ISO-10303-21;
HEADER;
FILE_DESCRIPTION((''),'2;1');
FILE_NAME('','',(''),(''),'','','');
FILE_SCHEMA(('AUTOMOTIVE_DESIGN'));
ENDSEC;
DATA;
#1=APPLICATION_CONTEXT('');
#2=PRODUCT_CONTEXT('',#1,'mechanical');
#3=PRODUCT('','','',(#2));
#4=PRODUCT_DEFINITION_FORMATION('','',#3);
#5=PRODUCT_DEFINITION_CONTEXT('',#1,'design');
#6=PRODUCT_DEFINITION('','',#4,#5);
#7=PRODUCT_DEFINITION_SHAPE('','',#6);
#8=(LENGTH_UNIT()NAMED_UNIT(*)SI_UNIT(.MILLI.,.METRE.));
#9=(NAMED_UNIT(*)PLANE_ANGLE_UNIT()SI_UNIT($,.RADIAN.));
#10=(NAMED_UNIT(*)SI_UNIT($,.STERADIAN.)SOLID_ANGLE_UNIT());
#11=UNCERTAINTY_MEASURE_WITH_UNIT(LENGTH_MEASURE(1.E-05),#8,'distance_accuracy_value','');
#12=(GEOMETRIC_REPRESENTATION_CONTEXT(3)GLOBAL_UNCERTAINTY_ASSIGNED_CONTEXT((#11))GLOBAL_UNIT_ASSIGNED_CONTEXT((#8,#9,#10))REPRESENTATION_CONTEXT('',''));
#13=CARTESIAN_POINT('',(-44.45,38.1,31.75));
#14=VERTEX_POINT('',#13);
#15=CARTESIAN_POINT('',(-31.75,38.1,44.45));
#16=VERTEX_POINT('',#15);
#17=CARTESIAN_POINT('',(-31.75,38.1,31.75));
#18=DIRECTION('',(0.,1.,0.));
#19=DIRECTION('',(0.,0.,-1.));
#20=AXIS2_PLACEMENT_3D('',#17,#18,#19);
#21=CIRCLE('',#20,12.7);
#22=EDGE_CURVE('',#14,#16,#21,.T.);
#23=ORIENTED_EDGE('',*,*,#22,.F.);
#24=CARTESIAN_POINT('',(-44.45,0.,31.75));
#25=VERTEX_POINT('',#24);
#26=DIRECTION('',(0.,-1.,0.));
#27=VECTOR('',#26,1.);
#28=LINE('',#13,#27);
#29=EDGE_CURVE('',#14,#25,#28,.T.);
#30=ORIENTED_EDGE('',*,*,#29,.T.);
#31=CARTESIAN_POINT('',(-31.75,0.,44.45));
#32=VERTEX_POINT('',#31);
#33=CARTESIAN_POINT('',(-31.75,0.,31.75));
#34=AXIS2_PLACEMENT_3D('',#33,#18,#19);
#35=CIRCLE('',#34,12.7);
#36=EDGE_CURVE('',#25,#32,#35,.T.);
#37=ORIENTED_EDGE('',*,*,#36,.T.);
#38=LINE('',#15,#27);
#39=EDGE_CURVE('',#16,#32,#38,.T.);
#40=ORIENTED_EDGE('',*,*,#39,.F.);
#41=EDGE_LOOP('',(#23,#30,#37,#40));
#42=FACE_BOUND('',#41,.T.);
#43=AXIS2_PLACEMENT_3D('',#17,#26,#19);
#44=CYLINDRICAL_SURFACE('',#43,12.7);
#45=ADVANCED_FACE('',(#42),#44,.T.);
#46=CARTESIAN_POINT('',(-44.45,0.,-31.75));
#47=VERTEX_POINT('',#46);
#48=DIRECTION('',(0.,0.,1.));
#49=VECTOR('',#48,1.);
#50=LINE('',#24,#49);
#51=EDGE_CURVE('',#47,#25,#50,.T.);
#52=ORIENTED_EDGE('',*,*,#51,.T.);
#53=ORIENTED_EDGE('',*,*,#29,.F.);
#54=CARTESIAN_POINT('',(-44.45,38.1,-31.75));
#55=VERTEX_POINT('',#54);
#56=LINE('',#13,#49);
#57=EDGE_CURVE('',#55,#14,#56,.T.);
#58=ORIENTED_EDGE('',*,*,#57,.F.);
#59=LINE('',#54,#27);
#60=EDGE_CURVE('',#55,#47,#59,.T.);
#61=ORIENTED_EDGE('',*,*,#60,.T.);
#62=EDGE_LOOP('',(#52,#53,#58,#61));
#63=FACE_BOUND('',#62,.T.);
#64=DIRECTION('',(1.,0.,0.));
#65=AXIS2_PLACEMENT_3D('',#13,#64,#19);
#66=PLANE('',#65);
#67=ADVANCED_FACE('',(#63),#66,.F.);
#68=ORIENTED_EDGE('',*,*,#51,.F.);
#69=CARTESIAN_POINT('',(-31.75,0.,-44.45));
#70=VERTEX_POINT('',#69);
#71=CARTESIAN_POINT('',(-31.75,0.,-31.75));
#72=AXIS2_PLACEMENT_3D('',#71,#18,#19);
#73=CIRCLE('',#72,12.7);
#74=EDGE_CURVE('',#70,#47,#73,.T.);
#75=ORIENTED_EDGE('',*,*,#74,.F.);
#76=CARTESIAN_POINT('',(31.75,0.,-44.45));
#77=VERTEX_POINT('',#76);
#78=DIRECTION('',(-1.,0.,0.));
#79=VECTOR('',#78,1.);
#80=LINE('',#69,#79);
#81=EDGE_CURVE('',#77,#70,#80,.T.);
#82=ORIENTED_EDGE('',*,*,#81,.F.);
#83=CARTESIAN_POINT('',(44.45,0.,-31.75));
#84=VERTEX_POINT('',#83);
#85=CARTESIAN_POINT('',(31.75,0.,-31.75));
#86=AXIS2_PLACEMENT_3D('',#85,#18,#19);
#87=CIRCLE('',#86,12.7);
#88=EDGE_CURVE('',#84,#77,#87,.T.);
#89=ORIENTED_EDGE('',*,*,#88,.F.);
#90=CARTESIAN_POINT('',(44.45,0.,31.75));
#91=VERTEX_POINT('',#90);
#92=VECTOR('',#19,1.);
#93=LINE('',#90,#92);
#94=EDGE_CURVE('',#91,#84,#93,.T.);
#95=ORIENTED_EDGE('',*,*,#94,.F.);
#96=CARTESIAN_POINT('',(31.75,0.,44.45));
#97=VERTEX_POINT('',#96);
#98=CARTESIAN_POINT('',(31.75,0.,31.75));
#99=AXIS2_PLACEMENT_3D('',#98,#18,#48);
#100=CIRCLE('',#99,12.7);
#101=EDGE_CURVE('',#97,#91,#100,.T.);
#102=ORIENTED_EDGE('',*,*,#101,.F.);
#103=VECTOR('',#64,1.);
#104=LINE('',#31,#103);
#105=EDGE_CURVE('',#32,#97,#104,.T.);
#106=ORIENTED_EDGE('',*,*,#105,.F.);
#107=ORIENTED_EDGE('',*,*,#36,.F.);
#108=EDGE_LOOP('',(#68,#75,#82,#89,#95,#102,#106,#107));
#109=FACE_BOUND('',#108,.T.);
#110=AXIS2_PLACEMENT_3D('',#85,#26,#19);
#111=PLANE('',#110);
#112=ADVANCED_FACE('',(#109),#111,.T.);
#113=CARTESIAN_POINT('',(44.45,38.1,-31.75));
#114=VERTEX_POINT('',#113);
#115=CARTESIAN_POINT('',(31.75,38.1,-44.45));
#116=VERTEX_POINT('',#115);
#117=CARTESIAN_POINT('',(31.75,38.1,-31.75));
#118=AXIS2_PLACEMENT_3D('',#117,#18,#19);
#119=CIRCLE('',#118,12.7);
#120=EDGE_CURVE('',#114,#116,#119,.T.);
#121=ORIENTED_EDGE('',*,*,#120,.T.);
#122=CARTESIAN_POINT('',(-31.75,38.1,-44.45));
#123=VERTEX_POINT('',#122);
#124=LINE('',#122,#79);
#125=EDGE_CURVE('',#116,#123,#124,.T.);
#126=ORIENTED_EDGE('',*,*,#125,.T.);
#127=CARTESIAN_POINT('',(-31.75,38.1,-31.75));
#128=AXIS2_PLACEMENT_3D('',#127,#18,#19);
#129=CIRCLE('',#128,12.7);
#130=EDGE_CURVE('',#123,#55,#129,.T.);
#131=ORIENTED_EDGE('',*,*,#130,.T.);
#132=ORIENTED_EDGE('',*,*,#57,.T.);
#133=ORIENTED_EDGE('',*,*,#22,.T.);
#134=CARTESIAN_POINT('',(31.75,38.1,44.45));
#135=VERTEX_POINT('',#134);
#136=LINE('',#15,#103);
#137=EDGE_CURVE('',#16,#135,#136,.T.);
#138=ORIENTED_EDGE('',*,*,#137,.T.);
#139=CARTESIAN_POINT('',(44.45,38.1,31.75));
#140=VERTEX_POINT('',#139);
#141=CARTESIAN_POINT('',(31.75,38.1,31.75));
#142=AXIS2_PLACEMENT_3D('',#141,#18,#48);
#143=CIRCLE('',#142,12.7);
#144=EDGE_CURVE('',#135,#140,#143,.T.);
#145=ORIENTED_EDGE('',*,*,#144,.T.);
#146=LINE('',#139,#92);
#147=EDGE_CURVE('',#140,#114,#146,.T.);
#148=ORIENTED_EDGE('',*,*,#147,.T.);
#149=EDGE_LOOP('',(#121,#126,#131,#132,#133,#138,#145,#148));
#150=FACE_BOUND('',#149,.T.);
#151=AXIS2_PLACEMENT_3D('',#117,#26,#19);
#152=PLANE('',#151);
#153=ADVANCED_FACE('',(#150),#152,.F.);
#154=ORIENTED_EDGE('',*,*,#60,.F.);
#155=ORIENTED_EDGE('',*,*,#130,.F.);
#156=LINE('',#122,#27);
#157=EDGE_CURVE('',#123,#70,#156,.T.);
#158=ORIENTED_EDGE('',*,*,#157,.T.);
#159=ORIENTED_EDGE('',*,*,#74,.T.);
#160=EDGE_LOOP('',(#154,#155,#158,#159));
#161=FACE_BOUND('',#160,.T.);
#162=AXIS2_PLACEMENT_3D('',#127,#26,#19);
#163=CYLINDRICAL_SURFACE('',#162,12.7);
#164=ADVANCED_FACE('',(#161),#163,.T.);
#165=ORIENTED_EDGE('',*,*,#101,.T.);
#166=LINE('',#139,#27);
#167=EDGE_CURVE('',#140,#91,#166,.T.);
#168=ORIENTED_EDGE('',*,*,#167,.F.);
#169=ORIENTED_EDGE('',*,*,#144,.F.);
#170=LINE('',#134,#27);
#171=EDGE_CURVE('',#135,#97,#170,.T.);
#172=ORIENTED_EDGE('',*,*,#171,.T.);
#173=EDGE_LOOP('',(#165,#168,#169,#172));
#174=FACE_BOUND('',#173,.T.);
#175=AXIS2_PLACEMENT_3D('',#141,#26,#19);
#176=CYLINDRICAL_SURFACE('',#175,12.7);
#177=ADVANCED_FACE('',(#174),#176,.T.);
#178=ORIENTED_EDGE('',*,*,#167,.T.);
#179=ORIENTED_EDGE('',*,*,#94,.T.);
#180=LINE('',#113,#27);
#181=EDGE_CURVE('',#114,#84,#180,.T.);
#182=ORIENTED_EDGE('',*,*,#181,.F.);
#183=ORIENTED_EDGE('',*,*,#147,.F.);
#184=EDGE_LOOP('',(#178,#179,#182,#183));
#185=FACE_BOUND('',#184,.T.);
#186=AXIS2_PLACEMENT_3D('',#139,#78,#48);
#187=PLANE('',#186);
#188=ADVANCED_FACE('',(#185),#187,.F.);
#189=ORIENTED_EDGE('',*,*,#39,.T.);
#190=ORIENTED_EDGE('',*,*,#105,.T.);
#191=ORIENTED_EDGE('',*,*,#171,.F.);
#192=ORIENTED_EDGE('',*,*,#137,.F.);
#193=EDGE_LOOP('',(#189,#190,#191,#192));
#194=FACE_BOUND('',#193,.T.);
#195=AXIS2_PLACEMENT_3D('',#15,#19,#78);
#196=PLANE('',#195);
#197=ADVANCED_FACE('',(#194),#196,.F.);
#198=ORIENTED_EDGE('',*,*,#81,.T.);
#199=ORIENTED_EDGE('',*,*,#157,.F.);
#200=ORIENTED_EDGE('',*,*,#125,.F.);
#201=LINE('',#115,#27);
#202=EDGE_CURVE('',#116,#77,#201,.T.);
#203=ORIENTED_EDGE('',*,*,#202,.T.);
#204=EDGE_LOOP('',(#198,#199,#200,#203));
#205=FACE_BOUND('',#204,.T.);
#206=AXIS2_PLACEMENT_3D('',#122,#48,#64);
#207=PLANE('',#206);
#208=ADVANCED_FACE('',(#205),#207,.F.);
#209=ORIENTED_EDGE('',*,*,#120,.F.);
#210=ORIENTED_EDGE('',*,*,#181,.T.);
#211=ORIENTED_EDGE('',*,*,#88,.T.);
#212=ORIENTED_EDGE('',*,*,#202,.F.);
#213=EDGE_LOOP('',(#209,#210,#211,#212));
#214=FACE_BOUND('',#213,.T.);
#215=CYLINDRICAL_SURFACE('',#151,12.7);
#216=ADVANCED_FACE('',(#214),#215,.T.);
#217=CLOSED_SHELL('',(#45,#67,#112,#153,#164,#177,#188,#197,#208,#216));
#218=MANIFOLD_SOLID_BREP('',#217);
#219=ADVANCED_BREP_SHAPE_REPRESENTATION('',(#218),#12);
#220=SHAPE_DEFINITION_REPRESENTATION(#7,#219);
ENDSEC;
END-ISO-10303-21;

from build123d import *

# Parameters (mm, degrees)
BOSS_EXTRUDE1_DEPTH = 38.1


with BuildPart() as part:
    # Sketch1 → Boss-Extrude1 (new body)
    with BuildSketch(Plane(origin=(0, 0, 0), x_dir=(1, 0, 0), z_dir=(0, 1, 0))):
        with BuildLine():
            Line((-31.75, -44.45), (31.75, -44.45))
            ThreePointArc((31.75, -44.45), (40.730256121, -40.730256121), (44.45, -31.75))
            Line((44.45, -31.75), (44.45, 31.75))
            ThreePointArc((44.45, 31.75), (40.730256121, 40.730256121), (31.75, 44.45))
            Line((31.75, 44.45), (-31.75, 44.45))
            ThreePointArc((-31.75, 44.45), (-40.730256121, 40.730256121), (-44.45, 31.75))
            Line((-44.45, 31.75), (-44.45, -31.75))
            ThreePointArc((-44.45, -31.75), (-40.730256121, -40.730256121), (-31.75, -44.45))
        make_face()
    extrude(amount=BOSS_EXTRUDE1_DEPTH)


solid = part.part
